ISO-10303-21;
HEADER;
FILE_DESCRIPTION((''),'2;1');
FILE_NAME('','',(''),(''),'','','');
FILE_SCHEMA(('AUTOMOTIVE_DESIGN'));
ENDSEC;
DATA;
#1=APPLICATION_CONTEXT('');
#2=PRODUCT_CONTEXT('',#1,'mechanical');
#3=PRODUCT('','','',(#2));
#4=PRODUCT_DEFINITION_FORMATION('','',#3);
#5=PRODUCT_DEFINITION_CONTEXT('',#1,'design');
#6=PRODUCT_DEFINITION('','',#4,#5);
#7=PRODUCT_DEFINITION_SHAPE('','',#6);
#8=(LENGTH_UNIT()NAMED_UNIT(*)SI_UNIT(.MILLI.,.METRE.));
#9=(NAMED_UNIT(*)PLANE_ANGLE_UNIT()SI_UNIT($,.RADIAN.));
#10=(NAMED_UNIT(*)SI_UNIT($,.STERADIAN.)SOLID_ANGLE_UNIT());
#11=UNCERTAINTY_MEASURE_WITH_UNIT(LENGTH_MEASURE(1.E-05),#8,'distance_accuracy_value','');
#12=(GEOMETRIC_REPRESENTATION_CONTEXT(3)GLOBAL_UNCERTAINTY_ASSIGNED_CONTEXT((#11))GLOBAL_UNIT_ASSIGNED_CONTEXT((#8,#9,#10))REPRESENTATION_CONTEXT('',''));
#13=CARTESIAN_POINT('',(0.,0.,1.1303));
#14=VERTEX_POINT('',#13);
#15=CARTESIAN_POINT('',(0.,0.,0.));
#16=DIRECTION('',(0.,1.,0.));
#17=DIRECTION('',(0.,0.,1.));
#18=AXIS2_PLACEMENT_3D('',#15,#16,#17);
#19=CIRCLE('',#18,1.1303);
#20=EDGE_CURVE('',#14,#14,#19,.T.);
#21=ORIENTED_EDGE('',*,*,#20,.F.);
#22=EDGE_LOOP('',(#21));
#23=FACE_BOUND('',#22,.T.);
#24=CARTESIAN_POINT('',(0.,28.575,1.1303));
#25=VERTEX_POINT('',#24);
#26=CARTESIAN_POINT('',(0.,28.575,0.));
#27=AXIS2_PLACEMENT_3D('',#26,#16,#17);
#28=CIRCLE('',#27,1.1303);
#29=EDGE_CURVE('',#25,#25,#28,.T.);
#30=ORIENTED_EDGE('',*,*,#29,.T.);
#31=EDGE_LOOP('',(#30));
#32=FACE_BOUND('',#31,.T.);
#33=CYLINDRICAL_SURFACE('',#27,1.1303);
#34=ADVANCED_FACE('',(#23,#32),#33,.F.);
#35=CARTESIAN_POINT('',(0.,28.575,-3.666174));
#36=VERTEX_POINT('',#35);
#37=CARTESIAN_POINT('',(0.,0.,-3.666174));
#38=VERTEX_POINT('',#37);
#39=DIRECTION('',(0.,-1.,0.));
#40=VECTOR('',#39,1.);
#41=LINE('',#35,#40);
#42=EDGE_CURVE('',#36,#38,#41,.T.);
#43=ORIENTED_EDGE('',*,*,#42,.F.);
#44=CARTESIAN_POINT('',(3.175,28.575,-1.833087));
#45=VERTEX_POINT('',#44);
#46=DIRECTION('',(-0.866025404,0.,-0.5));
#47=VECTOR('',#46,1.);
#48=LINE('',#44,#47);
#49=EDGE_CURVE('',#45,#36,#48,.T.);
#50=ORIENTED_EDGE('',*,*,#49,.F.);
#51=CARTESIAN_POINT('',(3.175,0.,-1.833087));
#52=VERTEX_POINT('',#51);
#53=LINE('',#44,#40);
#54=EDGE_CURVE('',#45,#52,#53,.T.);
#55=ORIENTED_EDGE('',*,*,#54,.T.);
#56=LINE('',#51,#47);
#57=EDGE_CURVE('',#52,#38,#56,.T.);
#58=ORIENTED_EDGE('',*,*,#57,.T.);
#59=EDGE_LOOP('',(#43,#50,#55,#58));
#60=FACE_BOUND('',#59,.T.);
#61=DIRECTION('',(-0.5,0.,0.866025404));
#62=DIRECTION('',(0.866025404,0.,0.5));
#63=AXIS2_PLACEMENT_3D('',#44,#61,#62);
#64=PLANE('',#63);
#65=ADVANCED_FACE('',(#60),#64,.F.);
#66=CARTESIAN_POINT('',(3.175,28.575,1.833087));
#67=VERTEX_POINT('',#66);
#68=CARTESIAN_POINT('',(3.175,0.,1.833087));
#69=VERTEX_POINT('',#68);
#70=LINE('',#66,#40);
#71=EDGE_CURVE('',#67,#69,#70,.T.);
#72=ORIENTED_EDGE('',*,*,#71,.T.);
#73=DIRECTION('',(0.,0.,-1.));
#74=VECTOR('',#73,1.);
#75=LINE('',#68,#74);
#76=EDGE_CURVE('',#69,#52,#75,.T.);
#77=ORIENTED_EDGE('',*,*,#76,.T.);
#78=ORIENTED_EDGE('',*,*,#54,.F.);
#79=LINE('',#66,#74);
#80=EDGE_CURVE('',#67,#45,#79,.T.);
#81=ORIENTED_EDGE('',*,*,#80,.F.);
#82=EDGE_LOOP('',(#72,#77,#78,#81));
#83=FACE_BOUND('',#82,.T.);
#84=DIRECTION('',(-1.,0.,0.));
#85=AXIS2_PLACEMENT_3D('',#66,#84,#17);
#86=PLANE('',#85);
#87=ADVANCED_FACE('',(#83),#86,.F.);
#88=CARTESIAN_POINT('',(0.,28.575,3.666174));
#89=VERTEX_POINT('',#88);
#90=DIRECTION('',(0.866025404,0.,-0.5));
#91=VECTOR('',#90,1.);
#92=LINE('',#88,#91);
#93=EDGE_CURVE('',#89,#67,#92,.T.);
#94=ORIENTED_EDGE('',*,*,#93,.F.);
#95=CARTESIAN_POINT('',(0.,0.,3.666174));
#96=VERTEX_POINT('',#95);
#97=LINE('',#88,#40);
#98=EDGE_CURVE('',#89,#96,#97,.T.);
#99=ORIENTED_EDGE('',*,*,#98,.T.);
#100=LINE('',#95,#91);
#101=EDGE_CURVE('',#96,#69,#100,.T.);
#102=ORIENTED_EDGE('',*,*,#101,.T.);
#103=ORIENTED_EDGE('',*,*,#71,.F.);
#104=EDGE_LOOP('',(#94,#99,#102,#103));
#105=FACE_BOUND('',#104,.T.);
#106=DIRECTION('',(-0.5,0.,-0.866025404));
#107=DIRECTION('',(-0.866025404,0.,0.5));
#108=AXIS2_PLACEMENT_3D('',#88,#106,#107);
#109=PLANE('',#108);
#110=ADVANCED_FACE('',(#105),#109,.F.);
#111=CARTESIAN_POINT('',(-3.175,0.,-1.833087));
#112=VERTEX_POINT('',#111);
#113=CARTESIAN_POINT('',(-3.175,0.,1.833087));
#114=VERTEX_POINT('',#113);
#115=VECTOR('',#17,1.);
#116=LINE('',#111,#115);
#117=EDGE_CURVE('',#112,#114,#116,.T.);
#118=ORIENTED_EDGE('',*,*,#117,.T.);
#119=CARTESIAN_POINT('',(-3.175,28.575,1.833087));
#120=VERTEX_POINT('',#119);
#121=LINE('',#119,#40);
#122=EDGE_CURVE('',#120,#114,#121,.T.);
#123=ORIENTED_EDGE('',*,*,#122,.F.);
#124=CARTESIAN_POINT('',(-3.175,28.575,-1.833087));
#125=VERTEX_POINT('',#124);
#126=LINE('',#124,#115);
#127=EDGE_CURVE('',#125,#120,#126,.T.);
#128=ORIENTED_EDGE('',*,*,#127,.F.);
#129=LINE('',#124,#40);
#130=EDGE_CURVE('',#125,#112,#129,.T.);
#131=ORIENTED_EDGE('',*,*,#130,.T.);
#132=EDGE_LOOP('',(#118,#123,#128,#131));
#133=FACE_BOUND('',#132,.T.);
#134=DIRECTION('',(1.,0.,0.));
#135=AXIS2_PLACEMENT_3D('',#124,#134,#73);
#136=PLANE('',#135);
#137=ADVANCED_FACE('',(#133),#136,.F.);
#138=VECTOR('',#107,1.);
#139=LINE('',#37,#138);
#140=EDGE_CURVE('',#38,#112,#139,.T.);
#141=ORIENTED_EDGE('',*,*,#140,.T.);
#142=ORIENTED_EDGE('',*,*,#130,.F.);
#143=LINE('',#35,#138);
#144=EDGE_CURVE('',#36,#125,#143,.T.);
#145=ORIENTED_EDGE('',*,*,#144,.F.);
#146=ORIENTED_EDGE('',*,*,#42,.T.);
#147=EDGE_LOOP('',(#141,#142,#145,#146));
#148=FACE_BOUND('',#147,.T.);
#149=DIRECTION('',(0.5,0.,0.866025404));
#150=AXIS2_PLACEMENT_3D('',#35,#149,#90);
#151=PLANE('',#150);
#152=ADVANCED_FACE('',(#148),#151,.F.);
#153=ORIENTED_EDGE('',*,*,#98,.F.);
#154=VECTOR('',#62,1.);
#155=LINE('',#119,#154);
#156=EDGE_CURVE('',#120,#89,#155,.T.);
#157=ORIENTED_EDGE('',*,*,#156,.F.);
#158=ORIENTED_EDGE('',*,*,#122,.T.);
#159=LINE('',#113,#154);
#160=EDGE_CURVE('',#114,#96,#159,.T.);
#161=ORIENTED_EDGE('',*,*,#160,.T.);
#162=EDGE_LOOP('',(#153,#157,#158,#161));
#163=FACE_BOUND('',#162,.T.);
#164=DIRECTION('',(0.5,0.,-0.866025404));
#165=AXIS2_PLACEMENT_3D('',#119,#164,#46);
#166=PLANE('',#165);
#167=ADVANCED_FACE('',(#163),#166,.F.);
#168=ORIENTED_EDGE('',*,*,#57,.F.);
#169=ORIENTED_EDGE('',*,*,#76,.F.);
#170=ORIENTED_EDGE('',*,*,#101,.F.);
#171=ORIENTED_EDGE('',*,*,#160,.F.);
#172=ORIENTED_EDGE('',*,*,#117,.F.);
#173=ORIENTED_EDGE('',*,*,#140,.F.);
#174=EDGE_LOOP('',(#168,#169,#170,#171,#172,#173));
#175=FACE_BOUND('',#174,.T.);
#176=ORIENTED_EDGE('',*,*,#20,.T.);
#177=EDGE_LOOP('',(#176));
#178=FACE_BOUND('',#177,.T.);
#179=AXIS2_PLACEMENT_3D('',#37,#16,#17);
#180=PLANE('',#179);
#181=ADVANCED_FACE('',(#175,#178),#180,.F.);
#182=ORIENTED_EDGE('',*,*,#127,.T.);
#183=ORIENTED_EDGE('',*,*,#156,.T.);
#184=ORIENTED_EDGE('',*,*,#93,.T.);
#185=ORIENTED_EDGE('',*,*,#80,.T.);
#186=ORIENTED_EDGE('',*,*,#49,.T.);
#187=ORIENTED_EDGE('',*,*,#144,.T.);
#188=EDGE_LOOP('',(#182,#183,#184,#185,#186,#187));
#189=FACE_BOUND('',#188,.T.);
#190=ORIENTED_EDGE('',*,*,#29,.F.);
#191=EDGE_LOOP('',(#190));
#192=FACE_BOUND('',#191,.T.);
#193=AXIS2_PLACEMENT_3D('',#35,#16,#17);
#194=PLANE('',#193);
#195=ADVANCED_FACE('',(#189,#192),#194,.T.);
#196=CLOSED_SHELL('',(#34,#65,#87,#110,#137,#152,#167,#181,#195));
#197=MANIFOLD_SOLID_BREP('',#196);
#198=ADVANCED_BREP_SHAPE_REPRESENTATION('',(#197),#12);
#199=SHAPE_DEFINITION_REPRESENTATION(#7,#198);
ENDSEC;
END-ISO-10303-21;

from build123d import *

# Parameters (mm, degrees)
BOSS_EXTRUDE1_DEPTH   = 28.575
F_4_40_TAPPED_HOLE1_D = 2.2606


with BuildPart() as part:
    # Sketch2 → Boss-Extrude1 (new body)
    with BuildSketch(Plane(origin=(0, 0, 0), x_dir=(1, 0, 0), z_dir=(0, 1, 0))):
        Polygon((0, 3.666174209), (-3.175, 1.833087105), (-3.175, -1.833087105), (0, -3.666174209), (3.175, -1.833087105), (3.175, 1.833087105), align=None)
    extrude(amount=BOSS_EXTRUDE1_DEPTH)

    # #4-40 Tapped Hole1 (through all)
    with Locations(Plane(origin=(0, 28.575, 0), x_dir=(-1, 0, 0), z_dir=(0, 1, 0))):
        with Locations((0, 0)):
            Hole(F_4_40_TAPPED_HOLE1_D / 2)


solid = part.part
